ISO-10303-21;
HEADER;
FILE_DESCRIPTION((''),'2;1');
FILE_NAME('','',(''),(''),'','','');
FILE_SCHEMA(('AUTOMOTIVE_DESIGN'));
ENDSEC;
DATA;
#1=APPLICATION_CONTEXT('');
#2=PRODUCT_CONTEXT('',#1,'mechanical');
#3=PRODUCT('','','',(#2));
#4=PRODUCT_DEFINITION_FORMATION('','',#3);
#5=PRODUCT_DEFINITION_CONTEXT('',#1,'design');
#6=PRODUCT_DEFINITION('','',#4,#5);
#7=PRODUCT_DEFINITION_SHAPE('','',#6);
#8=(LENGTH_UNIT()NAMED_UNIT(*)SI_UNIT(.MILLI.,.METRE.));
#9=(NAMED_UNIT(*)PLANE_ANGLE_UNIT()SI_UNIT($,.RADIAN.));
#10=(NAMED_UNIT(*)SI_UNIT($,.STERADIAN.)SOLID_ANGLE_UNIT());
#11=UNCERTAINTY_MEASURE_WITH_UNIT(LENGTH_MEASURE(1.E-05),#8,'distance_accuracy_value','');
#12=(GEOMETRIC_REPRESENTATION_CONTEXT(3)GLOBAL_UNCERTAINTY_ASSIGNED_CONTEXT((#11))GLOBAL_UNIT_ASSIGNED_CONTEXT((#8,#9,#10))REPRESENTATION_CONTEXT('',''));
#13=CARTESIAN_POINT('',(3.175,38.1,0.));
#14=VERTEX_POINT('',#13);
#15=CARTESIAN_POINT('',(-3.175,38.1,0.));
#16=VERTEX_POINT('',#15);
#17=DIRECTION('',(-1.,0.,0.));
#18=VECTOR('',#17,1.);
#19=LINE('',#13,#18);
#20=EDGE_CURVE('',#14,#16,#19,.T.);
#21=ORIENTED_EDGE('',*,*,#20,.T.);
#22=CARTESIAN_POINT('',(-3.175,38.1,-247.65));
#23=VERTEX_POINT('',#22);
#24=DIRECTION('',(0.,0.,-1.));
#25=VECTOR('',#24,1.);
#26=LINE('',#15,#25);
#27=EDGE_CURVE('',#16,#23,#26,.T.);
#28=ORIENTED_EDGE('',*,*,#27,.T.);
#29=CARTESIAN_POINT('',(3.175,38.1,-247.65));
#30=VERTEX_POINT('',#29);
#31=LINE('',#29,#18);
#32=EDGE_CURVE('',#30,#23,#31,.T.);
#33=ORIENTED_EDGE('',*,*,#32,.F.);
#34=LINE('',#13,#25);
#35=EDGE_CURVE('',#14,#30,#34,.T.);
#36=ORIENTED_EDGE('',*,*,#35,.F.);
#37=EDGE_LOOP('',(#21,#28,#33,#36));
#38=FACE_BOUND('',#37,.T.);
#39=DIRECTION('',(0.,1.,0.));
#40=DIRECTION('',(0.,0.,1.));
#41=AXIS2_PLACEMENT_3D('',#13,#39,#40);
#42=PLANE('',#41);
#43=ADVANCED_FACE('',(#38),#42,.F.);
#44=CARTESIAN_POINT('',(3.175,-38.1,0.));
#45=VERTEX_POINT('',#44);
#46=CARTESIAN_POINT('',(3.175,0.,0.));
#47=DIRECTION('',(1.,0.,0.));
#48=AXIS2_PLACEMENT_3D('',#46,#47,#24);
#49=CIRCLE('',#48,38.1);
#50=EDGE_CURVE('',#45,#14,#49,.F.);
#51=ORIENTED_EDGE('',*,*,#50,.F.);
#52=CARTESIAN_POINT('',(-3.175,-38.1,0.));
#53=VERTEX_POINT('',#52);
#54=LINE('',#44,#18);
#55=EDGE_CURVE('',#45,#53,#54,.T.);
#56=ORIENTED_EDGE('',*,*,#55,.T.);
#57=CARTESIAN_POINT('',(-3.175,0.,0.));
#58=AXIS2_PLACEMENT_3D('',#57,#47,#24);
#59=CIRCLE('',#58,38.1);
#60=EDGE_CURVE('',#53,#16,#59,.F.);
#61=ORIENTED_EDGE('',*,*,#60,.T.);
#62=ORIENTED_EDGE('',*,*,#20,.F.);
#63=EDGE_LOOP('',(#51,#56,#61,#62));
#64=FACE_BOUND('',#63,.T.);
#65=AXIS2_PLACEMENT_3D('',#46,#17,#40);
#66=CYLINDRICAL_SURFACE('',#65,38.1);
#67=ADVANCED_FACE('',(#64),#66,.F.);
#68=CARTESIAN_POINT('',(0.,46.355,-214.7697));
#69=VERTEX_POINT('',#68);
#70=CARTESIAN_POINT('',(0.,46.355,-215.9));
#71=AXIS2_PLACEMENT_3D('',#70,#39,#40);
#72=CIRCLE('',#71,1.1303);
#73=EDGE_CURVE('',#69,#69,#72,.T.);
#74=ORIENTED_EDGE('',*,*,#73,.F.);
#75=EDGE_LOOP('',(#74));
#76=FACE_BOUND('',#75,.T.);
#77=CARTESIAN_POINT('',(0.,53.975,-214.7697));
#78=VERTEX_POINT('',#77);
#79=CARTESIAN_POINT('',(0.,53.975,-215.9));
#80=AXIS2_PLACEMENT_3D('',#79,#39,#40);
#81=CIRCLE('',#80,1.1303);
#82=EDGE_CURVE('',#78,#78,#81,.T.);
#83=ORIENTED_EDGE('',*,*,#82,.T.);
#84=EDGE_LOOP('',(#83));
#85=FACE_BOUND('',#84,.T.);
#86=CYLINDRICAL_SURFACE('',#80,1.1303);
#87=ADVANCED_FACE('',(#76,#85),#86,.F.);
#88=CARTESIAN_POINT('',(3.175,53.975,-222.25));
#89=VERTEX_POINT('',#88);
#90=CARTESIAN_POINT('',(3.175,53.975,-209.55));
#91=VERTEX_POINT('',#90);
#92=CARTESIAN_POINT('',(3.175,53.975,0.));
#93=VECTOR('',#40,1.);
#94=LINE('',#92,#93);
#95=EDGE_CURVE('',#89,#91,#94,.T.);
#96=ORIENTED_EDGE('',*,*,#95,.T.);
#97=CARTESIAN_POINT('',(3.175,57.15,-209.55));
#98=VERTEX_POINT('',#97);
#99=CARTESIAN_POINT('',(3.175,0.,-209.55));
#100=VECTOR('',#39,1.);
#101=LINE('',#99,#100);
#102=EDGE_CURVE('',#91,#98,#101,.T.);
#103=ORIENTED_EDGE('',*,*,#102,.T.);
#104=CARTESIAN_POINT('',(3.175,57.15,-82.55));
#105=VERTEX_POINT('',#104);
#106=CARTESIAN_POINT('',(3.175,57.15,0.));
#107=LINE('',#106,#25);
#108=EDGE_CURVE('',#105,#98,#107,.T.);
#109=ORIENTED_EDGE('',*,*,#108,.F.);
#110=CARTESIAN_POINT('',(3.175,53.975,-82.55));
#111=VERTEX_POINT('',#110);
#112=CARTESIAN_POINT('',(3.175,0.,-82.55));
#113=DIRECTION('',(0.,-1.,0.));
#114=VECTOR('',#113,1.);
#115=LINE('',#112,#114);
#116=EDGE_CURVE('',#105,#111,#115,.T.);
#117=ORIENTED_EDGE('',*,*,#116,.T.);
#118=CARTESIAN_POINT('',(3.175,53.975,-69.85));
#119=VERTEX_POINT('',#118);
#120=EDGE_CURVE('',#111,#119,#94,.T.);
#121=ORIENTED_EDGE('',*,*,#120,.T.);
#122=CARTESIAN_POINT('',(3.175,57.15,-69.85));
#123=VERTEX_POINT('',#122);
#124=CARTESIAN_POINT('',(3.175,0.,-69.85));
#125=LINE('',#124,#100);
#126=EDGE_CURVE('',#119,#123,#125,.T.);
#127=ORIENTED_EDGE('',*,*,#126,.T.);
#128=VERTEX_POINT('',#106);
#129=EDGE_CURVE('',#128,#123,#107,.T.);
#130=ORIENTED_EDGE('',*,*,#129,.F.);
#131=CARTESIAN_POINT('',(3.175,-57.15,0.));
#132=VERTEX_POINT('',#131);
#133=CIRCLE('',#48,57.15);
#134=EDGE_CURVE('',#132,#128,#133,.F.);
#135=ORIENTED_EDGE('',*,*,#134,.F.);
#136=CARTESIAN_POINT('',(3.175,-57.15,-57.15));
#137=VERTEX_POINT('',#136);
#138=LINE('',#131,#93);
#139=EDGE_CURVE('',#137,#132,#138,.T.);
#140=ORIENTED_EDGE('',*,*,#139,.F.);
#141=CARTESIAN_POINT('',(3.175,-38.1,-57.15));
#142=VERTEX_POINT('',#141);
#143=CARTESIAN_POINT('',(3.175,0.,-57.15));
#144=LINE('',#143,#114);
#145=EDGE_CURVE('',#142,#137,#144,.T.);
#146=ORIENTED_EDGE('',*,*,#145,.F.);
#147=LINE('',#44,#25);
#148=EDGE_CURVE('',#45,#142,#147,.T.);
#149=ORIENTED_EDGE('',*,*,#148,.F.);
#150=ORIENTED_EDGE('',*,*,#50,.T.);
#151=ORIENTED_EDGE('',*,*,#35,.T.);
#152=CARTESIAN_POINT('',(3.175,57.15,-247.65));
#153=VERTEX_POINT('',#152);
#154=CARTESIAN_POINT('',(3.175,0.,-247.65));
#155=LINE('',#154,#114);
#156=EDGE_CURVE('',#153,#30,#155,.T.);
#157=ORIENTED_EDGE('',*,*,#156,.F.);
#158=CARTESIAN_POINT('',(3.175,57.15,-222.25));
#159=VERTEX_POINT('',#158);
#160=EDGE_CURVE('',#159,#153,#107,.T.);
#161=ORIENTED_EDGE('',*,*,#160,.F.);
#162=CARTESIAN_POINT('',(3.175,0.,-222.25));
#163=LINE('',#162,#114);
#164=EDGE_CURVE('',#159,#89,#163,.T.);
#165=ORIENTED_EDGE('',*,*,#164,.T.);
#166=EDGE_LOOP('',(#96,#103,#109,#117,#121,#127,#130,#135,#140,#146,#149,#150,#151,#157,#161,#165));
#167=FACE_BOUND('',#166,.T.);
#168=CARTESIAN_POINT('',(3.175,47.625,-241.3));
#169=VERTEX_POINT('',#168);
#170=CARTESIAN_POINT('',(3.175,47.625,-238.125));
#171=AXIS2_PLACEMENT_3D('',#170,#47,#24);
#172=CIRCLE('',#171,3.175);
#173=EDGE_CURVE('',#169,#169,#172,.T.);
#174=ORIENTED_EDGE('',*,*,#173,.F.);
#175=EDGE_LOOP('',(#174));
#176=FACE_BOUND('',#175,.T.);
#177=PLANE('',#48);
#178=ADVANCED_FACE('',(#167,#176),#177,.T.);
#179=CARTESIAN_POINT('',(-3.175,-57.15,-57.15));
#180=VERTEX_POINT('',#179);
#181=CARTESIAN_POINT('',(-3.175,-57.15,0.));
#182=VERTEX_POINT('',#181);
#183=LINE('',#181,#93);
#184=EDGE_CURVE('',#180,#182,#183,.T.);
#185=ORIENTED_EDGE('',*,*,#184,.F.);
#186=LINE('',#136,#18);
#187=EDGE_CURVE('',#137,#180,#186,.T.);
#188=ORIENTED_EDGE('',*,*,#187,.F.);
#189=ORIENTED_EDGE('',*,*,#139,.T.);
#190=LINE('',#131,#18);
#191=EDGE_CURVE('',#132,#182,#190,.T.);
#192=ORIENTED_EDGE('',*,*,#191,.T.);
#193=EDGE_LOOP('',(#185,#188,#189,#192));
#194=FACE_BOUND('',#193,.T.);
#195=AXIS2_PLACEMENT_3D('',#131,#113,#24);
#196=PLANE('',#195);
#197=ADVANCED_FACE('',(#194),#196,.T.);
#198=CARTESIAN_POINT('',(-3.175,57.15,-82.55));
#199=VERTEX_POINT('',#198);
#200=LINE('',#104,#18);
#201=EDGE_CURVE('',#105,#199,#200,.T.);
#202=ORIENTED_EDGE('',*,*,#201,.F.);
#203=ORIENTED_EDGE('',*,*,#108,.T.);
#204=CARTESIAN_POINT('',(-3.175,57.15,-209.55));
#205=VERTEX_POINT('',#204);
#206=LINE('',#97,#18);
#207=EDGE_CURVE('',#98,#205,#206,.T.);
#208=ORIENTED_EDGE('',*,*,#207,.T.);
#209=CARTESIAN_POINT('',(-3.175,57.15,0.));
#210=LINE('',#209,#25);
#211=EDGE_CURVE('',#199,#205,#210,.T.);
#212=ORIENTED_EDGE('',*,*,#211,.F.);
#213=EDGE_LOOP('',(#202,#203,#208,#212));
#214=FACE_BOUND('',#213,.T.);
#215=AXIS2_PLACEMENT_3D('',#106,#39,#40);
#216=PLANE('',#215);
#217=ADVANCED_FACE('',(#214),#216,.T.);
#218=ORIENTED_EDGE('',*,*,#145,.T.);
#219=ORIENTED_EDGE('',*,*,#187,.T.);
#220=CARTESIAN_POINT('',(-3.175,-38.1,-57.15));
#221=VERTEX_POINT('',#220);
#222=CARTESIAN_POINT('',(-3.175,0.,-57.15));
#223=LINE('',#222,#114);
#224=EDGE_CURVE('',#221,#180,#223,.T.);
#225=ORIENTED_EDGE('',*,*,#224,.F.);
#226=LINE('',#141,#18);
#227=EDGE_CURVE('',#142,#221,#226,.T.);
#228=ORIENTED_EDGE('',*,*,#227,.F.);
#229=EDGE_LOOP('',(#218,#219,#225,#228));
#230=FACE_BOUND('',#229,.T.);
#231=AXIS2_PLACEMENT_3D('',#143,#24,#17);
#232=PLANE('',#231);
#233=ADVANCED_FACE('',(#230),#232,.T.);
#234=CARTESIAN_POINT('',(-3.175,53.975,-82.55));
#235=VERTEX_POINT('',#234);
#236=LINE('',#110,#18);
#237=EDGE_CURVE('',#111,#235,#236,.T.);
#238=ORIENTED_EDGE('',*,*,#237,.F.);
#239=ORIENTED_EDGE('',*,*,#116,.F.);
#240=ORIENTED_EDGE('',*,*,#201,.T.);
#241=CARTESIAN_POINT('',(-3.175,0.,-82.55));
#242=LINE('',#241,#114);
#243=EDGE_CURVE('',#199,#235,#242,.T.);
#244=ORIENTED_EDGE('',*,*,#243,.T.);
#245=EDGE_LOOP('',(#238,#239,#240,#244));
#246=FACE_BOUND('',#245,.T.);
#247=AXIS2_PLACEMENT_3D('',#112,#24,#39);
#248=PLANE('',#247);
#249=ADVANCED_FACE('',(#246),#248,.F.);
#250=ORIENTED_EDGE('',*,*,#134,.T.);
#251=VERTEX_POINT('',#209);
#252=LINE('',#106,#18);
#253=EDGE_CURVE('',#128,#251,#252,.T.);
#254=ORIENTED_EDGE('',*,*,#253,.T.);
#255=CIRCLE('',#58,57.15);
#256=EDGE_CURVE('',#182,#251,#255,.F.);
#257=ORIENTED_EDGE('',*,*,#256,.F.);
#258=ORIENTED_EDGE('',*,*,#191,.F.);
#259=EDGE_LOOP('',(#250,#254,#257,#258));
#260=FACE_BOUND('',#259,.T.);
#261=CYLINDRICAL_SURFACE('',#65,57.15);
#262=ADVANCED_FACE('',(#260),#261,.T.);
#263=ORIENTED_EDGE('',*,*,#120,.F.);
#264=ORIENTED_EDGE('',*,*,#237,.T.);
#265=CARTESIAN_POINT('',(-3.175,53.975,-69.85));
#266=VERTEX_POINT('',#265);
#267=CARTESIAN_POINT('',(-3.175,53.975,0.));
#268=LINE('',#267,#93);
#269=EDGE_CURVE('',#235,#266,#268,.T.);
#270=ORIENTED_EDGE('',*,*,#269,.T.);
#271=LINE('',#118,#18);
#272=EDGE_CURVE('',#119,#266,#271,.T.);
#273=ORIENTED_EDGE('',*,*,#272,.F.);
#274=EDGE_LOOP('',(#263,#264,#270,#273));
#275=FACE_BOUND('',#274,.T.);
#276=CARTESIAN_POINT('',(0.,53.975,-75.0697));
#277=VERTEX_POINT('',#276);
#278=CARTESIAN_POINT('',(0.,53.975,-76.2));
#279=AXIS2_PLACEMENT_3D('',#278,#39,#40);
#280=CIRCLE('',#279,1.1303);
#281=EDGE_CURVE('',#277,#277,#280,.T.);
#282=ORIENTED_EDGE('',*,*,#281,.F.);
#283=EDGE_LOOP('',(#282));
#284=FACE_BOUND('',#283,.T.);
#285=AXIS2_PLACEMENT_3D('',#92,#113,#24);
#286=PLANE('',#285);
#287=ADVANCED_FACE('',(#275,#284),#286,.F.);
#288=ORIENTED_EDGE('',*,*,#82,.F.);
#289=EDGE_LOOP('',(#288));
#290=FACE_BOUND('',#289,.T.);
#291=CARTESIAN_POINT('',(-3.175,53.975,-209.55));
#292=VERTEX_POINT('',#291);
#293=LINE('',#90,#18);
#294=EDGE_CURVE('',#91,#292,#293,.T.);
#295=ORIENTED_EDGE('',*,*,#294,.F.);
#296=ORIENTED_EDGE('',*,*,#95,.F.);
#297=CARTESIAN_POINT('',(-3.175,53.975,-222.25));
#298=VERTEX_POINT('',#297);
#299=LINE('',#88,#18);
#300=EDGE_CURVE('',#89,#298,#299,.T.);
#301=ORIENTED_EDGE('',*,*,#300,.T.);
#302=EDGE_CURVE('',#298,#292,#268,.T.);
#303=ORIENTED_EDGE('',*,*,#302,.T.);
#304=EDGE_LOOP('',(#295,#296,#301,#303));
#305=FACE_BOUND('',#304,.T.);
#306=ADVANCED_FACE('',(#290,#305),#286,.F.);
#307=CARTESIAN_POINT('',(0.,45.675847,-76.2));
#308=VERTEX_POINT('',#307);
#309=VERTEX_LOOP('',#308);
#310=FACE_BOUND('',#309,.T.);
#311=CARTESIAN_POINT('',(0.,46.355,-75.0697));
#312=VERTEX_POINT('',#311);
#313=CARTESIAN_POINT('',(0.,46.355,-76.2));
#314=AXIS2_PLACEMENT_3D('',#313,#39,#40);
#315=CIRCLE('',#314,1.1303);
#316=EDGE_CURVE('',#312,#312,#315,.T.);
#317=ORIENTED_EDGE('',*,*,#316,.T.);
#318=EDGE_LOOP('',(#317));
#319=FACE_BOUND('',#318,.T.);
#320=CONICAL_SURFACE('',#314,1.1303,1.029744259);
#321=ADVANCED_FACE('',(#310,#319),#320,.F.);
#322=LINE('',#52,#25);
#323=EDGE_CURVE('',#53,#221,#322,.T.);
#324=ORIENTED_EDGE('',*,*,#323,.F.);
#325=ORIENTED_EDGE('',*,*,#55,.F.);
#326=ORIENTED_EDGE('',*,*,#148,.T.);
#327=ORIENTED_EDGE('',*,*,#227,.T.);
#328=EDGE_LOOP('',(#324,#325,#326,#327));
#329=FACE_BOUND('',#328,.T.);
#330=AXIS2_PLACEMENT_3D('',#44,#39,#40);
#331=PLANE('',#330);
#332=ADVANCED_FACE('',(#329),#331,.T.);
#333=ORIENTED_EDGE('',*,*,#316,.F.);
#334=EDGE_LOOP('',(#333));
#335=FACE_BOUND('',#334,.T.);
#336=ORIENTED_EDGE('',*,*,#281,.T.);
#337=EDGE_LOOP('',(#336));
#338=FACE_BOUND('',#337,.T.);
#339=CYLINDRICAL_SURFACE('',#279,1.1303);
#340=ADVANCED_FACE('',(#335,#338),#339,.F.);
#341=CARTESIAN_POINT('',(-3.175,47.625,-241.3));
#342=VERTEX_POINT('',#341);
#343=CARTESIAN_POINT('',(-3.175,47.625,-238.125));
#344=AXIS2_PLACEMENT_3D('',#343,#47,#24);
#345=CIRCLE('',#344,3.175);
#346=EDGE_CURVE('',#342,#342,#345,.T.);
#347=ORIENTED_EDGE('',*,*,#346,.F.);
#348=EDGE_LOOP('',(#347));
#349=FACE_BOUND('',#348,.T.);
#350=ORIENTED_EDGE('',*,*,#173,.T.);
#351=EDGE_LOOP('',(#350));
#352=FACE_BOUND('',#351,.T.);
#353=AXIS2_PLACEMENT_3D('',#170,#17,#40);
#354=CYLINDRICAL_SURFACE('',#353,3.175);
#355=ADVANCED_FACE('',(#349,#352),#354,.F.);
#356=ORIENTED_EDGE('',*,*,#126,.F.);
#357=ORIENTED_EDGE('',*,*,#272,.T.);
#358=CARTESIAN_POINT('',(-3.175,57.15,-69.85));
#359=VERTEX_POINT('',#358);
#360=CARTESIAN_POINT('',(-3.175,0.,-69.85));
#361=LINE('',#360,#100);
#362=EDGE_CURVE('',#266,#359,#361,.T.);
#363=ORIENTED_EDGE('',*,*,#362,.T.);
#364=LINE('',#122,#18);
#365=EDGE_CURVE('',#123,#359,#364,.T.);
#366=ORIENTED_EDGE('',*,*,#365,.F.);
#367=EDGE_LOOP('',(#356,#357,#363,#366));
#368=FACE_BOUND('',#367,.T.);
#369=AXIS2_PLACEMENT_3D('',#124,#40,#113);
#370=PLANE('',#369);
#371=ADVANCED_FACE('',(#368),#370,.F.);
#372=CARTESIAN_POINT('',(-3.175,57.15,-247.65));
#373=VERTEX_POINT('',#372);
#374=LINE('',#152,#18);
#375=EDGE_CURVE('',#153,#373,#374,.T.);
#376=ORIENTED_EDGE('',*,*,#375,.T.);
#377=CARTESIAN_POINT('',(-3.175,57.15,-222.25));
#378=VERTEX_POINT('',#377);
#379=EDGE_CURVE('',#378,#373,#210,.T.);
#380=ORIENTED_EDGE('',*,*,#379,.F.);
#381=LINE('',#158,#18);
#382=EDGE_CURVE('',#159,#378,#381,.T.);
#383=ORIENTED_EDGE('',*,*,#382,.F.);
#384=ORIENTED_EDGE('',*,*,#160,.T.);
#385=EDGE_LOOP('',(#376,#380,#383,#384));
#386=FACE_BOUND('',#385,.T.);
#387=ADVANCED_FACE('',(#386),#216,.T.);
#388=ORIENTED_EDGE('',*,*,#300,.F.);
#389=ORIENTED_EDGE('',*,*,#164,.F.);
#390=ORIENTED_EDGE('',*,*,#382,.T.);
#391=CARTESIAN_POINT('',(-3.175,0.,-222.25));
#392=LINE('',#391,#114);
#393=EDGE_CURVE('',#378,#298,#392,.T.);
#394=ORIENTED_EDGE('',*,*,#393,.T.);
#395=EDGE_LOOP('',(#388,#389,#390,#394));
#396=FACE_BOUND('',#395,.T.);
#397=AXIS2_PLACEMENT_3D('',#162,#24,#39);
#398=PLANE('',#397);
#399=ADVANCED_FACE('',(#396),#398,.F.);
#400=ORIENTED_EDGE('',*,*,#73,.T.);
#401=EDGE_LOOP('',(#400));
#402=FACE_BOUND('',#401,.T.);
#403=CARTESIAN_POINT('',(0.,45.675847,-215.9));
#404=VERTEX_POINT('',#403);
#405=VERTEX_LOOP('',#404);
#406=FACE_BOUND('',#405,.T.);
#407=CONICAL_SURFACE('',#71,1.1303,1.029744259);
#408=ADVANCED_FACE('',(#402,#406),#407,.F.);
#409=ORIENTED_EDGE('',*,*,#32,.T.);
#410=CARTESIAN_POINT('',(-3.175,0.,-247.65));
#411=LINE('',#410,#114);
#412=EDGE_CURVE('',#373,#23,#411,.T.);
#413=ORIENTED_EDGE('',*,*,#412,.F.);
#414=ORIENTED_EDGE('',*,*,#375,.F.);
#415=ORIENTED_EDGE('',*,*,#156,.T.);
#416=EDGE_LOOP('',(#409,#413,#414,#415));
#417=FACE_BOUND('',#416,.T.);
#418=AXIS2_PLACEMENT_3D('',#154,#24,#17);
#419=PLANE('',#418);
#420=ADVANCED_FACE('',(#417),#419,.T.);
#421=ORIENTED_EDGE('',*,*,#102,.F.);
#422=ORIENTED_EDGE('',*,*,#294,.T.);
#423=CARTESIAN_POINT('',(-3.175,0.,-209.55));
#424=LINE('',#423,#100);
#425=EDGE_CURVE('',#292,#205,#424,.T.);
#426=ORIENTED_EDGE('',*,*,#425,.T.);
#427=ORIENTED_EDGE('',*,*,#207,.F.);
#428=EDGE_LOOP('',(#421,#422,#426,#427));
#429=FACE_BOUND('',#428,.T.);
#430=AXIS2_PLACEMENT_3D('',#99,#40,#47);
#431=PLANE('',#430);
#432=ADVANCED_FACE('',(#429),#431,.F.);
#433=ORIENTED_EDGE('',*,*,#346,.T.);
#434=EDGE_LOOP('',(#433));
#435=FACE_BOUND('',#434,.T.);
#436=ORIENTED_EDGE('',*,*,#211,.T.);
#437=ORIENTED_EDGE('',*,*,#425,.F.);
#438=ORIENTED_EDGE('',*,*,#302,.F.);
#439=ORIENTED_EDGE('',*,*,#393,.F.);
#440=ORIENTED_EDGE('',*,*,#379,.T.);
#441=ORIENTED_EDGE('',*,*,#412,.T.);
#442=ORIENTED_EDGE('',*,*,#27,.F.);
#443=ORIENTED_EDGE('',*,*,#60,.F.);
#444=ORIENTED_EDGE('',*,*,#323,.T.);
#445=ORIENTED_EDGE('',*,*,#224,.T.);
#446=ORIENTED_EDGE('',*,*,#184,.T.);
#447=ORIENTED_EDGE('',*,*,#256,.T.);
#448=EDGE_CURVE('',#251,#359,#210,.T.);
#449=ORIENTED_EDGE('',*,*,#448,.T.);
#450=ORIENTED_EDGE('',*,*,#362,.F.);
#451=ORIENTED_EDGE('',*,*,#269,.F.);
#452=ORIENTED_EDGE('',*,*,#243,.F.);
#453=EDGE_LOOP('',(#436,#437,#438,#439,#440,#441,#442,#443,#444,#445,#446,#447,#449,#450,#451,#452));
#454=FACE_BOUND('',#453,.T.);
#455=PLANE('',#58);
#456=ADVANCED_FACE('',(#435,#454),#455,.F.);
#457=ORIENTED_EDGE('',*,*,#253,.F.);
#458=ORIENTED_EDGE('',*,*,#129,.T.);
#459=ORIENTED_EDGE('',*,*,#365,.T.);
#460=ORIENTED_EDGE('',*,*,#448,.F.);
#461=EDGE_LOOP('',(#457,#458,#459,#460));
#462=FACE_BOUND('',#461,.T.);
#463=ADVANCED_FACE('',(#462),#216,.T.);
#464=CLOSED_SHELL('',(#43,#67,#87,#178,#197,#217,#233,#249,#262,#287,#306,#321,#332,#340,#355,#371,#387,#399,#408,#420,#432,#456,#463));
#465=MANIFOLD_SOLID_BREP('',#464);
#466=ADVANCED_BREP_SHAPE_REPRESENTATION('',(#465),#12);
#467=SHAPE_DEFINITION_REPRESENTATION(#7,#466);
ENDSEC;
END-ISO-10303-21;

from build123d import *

# Parameters (mm, degrees)
SKETCH1_R                 = 3.175
BOSS_EXTRUDE1_DEPTH       = 3.175
F_4_40_TAPPED_HOLE1_D     = 2.2606
F_4_40_TAPPED_HOLE1_DEPTH = 7.62
F_4_40_TAPPED_HOLE1_TIP   = 0.679152758


with BuildPart() as part:
    # Sketch1 → Boss-Extrude1 (new body, symmetric)
    with BuildSketch(Plane(origin=(0, 0, 0), x_dir=(0, 0, -1), z_dir=(1, 0, 0))):
        with BuildLine():
            Line((57.15, -38.1), (0, -38.1))
            ThreePointArc((0, -38.1), (-38.1, 0), (0, 38.1))
            Line((0, 38.1), (247.65, 38.1))
            Line((247.65, 38.1), (247.65, 57.15))
            Line((247.65, 57.15), (222.25, 57.15))
            Line((222.25, 57.15), (222.25, 53.975))
            Line((222.25, 53.975), (209.55, 53.975))
            Line((209.55, 53.975), (209.55, 57.15))
            Line((209.55, 57.15), (82.55, 57.15))
            Line((82.55, 57.15), (82.55, 53.975))
            Line((82.55, 53.975), (69.85, 53.975))
            Line((69.85, 53.975), (69.85, 57.15))
            Line((69.85, 57.15), (0, 57.15))
            ThreePointArc((0, 57.15), (-57.15, 0), (0, -57.15))
            Line((0, -57.15), (57.15, -57.15))
            Line((57.15, -57.15), (57.15, -38.1))
        make_face()
        with Locations((238.125, 47.625)):
            Circle(SKETCH1_R, mode=Mode.SUBTRACT)
    extrude(amount=BOSS_EXTRUDE1_DEPTH, both=True)

    # #4-40 Tapped Hole1
    with Locations(Plane(origin=(0, 53.975, 0), x_dir=(1, 0, 0), z_dir=(0, 1, 0))):
        with Locations((0, 76.2), (0, 215.9)):
            Hole(F_4_40_TAPPED_HOLE1_D / 2, depth=F_4_40_TAPPED_HOLE1_DEPTH)
            with Locations((0, 0, -(F_4_40_TAPPED_HOLE1_DEPTH + F_4_40_TAPPED_HOLE1_TIP / 2))):  # 118° drill point
                Cone(0, F_4_40_TAPPED_HOLE1_D / 2, F_4_40_TAPPED_HOLE1_TIP, mode=Mode.SUBTRACT)


solid = part.part
